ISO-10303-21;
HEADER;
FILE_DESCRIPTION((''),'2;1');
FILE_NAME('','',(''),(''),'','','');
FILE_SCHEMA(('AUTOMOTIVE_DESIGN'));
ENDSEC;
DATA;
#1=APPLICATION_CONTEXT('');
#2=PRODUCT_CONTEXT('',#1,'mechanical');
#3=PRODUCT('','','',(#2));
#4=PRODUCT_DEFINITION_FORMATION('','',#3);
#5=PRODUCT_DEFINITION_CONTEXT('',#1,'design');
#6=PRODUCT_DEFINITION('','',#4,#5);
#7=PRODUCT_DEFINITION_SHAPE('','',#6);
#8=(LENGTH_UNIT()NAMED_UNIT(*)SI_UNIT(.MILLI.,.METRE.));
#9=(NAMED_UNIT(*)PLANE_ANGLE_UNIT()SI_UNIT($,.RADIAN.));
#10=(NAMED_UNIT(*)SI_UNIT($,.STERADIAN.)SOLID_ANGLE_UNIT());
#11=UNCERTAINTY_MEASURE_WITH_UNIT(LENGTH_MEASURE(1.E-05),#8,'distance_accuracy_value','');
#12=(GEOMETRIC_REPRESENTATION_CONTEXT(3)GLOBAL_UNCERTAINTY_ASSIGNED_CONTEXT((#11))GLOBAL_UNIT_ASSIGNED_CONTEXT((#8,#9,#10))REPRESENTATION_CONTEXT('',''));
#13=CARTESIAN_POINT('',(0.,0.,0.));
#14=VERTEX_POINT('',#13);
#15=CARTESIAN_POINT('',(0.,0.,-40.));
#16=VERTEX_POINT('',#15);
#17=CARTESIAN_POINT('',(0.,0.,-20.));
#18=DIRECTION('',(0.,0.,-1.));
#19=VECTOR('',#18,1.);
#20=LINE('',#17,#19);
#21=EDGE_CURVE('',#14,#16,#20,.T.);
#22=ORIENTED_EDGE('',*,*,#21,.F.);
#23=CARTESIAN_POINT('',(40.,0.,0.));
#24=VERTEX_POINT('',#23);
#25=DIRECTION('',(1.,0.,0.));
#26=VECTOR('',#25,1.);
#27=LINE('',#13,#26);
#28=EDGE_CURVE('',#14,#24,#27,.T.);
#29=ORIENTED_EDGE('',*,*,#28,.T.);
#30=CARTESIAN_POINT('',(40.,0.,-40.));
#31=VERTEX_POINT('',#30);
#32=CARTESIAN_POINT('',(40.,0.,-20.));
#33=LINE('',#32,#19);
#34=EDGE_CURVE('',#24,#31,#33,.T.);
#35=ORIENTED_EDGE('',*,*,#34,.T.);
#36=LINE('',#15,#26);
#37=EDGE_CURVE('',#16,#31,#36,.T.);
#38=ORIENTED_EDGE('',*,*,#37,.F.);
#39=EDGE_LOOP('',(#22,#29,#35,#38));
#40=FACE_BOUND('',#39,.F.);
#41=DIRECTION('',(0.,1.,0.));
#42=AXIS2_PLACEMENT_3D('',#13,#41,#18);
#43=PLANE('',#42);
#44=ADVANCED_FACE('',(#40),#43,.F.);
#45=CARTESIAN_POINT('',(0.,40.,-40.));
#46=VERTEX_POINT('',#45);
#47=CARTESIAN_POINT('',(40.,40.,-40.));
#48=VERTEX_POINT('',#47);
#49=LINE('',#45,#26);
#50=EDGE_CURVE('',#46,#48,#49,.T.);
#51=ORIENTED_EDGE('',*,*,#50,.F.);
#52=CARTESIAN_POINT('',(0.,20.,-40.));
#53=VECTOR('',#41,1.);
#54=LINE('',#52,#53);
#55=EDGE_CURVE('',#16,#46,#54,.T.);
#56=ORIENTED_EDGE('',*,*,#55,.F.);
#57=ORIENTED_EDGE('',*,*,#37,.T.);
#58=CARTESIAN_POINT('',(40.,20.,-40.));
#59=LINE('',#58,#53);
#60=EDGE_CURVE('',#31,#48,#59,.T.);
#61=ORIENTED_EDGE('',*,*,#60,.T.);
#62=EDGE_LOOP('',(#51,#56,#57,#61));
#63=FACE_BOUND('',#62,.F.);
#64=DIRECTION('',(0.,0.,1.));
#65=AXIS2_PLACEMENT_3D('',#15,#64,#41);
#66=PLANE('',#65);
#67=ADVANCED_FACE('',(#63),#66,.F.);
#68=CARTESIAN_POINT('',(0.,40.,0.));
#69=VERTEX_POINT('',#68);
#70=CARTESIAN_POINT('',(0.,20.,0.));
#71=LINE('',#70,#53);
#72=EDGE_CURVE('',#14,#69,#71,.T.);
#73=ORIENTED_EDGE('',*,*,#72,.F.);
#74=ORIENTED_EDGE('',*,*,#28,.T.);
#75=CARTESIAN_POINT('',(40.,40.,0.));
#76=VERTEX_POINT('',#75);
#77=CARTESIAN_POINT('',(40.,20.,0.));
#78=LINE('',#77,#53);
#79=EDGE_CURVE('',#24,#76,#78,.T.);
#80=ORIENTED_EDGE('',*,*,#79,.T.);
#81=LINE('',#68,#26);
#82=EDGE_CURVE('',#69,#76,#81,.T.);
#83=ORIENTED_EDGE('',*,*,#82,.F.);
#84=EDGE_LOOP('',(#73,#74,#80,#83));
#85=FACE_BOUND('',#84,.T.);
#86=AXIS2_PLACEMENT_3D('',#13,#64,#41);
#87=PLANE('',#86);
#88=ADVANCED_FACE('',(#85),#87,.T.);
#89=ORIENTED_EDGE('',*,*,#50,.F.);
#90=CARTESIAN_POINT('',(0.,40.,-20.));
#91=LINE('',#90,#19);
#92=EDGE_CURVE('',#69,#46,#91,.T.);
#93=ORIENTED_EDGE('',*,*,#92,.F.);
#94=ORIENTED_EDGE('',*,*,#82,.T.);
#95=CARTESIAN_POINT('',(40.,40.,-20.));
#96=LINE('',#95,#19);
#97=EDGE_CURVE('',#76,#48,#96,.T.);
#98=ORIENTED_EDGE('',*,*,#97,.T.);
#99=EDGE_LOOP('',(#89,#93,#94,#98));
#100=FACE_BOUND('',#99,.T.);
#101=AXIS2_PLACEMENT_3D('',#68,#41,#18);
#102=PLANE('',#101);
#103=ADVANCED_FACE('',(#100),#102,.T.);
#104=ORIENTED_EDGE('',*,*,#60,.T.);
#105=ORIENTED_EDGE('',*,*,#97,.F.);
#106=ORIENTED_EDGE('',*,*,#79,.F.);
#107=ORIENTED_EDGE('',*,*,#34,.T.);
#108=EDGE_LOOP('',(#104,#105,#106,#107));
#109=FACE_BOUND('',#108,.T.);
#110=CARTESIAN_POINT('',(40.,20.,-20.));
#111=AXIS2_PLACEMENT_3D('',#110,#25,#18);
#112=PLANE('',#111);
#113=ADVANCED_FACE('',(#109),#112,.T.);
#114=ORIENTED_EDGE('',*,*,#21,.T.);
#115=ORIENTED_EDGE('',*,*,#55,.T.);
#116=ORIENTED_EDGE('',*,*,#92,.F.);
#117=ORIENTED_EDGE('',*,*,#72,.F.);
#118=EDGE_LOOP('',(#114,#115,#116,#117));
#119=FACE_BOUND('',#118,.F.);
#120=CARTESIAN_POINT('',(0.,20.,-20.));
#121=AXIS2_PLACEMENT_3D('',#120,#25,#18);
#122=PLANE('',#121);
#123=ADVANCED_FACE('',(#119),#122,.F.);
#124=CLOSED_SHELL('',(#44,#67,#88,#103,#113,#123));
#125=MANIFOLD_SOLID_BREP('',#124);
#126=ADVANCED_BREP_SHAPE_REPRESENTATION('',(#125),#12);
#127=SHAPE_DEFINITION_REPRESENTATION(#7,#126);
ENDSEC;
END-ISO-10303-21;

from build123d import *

# Parameters (mm, degrees)
SKETCH_1_W      = 40
SKETCH_1_H      = 40
EXTRUDE_1_DEPTH = 40


with BuildPart() as part:
    # 草图1 → 凸台-拉伸1 (new body)
    with BuildSketch(Plane(origin=(0, 0, 0), x_dir=(0, 0, -1), z_dir=(1, 0, 0))):
        with Locations((20, 20)):
            Rectangle(SKETCH_1_W, SKETCH_1_H)
    extrude(amount=EXTRUDE_1_DEPTH)


solid = part.part
